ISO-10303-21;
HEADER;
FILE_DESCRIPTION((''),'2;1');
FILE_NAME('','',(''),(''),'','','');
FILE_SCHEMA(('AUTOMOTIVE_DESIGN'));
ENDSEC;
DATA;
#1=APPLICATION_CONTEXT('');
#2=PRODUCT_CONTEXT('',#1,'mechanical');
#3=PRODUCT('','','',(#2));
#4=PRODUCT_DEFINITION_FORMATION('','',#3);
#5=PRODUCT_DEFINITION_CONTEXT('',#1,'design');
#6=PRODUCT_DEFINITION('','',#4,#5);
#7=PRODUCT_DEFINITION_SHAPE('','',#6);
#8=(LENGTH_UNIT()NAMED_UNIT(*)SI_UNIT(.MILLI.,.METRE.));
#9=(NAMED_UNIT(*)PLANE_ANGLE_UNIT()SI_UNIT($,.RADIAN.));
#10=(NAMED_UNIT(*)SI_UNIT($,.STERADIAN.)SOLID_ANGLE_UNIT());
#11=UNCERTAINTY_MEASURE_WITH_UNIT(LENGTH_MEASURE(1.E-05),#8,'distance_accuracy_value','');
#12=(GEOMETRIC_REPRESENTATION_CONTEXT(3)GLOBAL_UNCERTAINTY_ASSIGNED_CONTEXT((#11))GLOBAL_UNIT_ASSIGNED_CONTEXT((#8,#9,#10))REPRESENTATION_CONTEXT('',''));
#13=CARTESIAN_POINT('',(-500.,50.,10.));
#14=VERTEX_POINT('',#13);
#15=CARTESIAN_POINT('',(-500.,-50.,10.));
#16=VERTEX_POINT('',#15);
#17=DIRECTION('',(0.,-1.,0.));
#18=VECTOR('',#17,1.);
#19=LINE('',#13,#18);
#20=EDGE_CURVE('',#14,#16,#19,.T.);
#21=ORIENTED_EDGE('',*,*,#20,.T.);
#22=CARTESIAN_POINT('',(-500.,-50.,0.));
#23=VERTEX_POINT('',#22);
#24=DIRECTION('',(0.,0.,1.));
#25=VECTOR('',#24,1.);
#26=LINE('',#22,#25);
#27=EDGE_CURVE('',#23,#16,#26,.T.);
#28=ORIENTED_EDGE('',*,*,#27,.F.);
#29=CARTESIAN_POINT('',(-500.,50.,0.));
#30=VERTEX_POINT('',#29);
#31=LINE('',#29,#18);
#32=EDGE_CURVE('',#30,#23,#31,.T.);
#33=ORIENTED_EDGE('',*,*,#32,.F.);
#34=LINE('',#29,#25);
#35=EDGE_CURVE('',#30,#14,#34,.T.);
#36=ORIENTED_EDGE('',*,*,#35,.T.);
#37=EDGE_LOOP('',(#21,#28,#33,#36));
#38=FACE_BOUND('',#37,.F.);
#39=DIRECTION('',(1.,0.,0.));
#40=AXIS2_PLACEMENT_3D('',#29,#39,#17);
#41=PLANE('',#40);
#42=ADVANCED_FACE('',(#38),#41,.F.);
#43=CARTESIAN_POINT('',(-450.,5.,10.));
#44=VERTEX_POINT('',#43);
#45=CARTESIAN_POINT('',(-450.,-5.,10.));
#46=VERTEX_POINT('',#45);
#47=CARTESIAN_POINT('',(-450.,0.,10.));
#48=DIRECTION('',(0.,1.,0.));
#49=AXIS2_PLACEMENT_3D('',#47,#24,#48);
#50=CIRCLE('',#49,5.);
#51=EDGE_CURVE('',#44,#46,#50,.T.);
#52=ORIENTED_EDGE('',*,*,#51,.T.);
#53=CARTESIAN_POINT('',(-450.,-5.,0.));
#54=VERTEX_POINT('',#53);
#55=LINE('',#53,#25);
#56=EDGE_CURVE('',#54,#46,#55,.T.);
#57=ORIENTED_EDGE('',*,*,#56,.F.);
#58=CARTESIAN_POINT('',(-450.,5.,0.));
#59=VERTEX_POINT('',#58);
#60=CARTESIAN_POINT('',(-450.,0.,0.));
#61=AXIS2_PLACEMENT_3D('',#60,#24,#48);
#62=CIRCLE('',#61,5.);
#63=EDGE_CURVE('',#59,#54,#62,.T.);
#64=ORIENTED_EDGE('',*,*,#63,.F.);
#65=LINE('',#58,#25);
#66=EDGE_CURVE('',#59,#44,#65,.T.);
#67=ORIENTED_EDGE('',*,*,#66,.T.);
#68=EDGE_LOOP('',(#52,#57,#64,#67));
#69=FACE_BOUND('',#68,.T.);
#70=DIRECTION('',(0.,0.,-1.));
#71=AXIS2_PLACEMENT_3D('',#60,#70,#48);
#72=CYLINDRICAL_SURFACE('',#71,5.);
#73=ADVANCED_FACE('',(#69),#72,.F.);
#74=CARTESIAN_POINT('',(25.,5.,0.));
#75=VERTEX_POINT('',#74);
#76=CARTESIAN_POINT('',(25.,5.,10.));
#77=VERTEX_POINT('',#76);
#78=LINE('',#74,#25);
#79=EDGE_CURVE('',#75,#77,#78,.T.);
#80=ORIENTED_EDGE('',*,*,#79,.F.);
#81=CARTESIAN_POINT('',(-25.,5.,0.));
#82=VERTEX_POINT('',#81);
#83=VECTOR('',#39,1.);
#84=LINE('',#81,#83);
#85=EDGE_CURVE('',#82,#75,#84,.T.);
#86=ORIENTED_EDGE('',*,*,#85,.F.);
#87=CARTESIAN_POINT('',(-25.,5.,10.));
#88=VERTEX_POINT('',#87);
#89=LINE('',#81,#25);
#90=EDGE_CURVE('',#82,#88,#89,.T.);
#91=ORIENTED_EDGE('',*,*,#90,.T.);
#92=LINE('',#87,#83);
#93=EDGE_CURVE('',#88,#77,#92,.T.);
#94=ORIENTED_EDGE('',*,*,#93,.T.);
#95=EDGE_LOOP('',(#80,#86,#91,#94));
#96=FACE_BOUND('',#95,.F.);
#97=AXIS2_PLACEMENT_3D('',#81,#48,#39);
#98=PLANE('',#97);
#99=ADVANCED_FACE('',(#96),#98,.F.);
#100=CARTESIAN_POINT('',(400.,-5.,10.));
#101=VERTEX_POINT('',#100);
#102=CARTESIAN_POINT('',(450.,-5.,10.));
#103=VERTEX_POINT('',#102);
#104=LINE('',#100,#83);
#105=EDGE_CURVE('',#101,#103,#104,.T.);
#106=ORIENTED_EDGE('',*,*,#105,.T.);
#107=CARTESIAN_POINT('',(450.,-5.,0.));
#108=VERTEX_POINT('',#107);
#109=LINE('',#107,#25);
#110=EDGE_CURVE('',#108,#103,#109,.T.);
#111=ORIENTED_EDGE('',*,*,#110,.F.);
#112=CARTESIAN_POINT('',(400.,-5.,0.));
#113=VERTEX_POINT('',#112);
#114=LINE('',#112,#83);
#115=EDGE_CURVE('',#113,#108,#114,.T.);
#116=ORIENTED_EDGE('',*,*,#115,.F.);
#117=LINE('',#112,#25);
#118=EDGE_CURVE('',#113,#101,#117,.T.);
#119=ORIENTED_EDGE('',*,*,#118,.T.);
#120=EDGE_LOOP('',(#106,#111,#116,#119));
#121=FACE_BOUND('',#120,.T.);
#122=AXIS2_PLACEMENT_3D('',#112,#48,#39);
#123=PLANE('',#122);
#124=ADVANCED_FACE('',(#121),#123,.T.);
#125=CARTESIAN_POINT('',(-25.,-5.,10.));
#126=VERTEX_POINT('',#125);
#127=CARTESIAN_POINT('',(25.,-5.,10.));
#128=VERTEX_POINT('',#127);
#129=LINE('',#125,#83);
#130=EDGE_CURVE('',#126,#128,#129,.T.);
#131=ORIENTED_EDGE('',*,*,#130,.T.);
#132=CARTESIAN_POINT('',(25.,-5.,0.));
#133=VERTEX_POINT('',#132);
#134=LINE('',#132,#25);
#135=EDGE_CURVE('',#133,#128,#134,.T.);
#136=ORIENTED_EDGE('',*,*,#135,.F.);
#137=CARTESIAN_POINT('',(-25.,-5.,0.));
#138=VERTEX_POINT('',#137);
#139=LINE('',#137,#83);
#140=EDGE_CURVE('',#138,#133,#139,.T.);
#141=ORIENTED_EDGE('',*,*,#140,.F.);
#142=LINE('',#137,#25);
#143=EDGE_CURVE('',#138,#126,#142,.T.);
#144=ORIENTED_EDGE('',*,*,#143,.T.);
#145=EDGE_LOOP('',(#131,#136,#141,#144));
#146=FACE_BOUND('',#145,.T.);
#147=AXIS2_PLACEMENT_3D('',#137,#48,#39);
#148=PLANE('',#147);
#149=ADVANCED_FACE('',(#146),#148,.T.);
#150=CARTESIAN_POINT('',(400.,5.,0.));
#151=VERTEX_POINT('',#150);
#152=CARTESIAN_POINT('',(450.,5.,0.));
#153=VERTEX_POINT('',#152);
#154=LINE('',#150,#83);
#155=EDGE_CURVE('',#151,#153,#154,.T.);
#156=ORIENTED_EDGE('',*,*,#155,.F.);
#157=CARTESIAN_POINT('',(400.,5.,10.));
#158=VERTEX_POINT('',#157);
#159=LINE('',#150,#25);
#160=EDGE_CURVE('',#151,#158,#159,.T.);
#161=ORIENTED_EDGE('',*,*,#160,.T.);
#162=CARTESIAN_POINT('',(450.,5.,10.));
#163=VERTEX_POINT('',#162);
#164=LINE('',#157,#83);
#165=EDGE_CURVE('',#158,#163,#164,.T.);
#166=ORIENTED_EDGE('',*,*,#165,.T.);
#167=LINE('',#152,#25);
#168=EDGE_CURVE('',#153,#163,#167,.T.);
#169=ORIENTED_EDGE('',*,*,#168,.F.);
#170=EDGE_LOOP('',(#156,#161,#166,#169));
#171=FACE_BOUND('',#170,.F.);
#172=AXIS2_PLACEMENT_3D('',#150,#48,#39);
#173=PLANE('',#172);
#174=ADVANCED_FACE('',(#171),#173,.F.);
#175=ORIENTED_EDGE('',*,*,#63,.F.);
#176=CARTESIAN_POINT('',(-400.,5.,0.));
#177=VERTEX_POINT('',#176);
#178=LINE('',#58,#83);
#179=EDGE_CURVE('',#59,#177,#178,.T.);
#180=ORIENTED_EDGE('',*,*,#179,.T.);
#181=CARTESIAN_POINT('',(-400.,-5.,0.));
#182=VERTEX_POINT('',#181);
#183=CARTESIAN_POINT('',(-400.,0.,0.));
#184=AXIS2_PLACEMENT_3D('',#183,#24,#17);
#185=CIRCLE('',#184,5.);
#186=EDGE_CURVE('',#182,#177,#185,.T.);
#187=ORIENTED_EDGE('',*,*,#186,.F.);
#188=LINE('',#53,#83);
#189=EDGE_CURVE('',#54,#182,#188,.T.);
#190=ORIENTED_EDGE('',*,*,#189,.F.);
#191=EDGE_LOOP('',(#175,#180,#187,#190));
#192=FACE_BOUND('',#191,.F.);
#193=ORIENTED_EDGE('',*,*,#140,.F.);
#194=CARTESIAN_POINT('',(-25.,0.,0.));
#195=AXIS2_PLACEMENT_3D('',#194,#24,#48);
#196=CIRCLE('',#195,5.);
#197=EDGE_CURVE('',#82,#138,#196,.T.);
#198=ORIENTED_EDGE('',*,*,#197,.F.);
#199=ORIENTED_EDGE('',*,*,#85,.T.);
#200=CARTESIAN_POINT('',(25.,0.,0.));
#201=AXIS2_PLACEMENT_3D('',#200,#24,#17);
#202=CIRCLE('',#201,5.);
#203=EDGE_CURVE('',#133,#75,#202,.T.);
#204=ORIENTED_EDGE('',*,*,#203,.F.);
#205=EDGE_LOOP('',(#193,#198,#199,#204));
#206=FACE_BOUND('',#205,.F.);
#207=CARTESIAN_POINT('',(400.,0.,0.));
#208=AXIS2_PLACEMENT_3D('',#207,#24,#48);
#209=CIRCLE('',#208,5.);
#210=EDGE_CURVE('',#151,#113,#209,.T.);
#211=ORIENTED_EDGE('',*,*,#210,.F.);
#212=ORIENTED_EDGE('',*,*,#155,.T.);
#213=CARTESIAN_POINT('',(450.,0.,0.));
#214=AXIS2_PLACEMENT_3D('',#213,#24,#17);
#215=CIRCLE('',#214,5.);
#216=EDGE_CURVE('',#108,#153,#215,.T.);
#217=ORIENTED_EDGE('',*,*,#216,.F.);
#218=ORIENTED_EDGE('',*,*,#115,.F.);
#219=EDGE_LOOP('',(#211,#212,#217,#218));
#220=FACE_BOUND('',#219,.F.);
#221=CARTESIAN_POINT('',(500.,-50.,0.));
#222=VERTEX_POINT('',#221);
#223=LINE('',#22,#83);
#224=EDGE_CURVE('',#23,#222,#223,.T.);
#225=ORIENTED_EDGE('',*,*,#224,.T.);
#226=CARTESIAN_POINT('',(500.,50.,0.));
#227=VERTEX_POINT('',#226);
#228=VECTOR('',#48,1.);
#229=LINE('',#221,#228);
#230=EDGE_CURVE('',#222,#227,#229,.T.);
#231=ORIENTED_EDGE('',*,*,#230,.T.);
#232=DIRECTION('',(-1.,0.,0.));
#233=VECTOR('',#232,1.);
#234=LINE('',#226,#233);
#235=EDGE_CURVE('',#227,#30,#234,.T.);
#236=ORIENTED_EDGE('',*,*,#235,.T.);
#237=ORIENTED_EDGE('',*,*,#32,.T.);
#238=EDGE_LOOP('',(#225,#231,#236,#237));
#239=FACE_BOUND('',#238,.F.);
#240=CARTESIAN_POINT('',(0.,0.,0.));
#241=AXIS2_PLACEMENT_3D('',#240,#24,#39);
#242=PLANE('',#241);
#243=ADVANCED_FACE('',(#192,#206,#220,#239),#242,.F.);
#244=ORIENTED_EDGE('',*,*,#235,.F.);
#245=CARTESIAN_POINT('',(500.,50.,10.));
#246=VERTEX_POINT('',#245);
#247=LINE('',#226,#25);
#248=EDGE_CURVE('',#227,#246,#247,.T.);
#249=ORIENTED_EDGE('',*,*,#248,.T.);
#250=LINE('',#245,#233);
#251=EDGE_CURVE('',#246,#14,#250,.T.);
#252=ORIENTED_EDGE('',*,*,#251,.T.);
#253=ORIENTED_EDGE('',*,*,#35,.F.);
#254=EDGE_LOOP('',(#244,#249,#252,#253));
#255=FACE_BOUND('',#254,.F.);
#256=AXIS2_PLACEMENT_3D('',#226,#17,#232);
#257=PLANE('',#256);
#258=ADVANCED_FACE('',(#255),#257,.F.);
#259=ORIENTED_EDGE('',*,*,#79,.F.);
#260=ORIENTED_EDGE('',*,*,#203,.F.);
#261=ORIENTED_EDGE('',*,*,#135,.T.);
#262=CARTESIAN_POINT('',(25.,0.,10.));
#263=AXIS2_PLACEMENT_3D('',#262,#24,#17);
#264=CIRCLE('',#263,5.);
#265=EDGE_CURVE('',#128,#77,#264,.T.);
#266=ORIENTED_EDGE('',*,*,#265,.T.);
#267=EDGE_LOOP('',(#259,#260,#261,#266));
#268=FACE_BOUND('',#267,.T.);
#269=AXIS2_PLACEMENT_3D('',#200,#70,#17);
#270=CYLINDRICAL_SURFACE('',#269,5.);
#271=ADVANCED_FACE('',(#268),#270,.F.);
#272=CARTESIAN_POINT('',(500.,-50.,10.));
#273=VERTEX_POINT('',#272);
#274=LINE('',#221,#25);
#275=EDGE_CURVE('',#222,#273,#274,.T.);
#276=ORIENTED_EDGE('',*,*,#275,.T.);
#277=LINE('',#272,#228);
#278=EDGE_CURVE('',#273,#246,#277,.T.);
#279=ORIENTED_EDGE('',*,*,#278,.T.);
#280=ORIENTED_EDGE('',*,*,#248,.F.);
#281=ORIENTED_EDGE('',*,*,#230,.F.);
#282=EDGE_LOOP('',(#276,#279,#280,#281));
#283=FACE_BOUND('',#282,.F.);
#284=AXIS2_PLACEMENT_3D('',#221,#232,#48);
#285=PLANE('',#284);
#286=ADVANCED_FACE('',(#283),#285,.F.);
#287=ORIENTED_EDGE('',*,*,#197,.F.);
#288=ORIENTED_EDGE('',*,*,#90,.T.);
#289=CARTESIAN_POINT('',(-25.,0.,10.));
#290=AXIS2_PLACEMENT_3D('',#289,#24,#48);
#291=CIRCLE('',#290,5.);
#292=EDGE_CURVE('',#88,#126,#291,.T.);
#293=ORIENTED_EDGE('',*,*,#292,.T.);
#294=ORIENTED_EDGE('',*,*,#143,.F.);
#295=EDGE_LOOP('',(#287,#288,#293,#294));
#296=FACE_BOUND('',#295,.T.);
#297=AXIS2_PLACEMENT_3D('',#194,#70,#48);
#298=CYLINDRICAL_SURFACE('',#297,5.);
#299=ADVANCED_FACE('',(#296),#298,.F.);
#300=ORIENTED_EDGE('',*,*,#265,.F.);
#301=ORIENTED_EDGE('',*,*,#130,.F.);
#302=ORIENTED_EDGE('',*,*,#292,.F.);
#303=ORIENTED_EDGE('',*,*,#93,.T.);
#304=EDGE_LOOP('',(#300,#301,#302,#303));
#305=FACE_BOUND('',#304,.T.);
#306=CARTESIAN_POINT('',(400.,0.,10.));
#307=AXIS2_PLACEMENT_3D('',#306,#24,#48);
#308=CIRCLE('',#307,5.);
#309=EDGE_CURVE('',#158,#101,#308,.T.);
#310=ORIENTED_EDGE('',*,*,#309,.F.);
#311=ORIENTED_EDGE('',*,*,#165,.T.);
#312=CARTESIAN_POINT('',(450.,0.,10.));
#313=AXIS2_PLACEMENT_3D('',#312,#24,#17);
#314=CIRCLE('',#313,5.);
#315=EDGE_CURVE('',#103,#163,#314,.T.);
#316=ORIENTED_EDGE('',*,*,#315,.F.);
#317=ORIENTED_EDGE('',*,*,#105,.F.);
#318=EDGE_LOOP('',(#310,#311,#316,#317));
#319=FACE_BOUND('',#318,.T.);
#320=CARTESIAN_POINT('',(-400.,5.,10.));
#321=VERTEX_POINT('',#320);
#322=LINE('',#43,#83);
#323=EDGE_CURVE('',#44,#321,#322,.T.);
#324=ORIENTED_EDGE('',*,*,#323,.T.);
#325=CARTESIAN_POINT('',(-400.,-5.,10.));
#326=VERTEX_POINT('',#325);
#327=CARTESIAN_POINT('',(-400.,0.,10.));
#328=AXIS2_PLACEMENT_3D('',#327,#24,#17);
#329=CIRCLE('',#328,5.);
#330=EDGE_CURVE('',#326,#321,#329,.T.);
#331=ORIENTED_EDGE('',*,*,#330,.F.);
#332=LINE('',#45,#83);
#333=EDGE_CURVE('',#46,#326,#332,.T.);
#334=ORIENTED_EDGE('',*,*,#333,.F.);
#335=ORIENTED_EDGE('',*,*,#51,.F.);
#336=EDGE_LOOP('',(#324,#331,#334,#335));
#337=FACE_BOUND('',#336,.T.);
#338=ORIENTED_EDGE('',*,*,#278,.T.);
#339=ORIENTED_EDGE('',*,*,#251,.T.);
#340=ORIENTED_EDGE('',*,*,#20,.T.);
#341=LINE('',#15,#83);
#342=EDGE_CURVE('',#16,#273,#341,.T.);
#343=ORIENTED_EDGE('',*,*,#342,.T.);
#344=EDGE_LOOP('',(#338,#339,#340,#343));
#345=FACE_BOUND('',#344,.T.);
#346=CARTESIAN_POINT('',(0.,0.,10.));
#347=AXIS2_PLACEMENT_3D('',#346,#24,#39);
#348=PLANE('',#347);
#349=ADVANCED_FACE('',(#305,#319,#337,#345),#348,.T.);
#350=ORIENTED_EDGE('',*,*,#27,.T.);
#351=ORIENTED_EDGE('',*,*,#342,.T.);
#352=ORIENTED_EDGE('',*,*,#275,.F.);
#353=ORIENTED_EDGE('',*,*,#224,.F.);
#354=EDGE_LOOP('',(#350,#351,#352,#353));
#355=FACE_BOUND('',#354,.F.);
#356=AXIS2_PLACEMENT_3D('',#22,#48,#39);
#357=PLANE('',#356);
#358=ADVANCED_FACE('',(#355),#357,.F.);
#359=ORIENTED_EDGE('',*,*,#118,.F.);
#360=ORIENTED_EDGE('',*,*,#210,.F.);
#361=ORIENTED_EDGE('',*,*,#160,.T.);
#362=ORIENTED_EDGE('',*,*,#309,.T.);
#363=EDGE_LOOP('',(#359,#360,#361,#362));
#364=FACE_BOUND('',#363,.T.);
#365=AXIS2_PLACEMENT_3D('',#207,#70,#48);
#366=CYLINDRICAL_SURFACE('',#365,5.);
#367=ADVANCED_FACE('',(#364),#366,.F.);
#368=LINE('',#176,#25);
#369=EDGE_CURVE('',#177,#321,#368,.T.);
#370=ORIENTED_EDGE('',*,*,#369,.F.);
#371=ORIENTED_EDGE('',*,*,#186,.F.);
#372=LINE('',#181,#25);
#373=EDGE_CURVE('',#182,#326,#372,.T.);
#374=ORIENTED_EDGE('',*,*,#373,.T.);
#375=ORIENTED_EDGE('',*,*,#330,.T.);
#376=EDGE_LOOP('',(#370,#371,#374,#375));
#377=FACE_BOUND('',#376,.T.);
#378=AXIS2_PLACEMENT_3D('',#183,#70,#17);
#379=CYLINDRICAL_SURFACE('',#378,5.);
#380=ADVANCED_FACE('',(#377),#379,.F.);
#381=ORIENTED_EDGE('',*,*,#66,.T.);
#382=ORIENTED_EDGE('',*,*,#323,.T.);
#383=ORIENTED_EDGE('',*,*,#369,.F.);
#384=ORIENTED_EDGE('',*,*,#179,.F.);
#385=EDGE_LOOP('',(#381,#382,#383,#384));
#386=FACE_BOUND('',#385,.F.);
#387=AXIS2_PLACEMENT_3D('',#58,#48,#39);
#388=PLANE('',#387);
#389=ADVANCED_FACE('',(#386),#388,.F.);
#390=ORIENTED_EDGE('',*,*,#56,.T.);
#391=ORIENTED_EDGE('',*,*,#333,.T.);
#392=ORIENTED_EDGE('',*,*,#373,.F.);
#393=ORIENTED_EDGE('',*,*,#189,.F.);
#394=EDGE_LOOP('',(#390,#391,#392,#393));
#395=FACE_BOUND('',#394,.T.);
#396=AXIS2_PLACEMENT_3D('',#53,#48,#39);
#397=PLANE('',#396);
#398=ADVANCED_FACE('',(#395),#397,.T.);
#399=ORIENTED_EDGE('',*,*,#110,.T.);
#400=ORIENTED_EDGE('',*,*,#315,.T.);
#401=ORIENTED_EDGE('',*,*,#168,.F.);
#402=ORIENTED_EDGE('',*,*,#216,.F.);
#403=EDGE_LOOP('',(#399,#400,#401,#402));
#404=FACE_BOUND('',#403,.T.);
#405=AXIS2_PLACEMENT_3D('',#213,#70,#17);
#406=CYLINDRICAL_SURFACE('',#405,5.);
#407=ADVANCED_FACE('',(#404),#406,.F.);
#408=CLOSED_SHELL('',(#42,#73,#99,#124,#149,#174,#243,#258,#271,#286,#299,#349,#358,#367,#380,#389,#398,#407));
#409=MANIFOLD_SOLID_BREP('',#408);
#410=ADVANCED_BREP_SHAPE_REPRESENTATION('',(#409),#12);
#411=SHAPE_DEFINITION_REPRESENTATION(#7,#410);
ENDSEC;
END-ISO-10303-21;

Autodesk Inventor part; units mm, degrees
ref_plane "YZ Plane" through (0, 0, 0) normal (1, 0, 0) x (0, 1, 0)
ref_plane "XZ Plane" through (0, 0, 0) normal (0, 1, 0) x (-1, 0, 0)
ref_plane "XY Plane" through (0, 0, 0) normal (0, 0, 1) x (1, 0, 0)
sketch "Sketch1" plane through (0, 0, 0) normal (0, 0, 1) x (1, 0, 0)
  line L0 (500, 50) -> (-500, 50)
  line L1 (-500, 50) -> (-500, -50)
  line L2 (-500, -50) -> (500, -50)
  line L3 (500, -50) -> (500, 50)
  line L4 (500, 50) -> (-500, -50) construction
  line L5 (-500, 50) -> (500, -50) construction
  point P0 (0, 0)
  dimension "d0" = 1000
  dimension "d1" = 100
sketch "Sketch2" plane through (0, 0, 0) normal (0, 0, 1) x (1, 0, 0)
  line L0 (400, 5) -> (450, 5)
  line L1 (400, -5) -> (450, -5)
  arc A0 (400, 5) -> (400, -5) centre (400, 0) ccw
  arc A1 (450, -5) -> (450, 5) centre (450, 0) ccw
  line L2 (-25, 5) -> (25, 5)
  line L3 (-25, -5) -> (25, -5)
  arc A2 (25, -5) -> (25, 5) centre (25, 0) ccw
  arc A3 (-25, 5) -> (-25, -5) centre (-25, 0) ccw
  line L4 (-450, 5) -> (-400, 5)
  line L5 (-450, -5) -> (-400, -5)
  arc A4 (-400, -5) -> (-400, 5) centre (-400, 0) ccw
  arc A5 (-450, 5) -> (-450, -5) centre (-450, 0) ccw
  point P0 (0, 0)
extrude "Extrusion1" add sketch "Sketch1" along normal blind 10
extrude "Extrusion2" cut sketch "Sketch2" along normal blind 10
properties part number "Sides"
